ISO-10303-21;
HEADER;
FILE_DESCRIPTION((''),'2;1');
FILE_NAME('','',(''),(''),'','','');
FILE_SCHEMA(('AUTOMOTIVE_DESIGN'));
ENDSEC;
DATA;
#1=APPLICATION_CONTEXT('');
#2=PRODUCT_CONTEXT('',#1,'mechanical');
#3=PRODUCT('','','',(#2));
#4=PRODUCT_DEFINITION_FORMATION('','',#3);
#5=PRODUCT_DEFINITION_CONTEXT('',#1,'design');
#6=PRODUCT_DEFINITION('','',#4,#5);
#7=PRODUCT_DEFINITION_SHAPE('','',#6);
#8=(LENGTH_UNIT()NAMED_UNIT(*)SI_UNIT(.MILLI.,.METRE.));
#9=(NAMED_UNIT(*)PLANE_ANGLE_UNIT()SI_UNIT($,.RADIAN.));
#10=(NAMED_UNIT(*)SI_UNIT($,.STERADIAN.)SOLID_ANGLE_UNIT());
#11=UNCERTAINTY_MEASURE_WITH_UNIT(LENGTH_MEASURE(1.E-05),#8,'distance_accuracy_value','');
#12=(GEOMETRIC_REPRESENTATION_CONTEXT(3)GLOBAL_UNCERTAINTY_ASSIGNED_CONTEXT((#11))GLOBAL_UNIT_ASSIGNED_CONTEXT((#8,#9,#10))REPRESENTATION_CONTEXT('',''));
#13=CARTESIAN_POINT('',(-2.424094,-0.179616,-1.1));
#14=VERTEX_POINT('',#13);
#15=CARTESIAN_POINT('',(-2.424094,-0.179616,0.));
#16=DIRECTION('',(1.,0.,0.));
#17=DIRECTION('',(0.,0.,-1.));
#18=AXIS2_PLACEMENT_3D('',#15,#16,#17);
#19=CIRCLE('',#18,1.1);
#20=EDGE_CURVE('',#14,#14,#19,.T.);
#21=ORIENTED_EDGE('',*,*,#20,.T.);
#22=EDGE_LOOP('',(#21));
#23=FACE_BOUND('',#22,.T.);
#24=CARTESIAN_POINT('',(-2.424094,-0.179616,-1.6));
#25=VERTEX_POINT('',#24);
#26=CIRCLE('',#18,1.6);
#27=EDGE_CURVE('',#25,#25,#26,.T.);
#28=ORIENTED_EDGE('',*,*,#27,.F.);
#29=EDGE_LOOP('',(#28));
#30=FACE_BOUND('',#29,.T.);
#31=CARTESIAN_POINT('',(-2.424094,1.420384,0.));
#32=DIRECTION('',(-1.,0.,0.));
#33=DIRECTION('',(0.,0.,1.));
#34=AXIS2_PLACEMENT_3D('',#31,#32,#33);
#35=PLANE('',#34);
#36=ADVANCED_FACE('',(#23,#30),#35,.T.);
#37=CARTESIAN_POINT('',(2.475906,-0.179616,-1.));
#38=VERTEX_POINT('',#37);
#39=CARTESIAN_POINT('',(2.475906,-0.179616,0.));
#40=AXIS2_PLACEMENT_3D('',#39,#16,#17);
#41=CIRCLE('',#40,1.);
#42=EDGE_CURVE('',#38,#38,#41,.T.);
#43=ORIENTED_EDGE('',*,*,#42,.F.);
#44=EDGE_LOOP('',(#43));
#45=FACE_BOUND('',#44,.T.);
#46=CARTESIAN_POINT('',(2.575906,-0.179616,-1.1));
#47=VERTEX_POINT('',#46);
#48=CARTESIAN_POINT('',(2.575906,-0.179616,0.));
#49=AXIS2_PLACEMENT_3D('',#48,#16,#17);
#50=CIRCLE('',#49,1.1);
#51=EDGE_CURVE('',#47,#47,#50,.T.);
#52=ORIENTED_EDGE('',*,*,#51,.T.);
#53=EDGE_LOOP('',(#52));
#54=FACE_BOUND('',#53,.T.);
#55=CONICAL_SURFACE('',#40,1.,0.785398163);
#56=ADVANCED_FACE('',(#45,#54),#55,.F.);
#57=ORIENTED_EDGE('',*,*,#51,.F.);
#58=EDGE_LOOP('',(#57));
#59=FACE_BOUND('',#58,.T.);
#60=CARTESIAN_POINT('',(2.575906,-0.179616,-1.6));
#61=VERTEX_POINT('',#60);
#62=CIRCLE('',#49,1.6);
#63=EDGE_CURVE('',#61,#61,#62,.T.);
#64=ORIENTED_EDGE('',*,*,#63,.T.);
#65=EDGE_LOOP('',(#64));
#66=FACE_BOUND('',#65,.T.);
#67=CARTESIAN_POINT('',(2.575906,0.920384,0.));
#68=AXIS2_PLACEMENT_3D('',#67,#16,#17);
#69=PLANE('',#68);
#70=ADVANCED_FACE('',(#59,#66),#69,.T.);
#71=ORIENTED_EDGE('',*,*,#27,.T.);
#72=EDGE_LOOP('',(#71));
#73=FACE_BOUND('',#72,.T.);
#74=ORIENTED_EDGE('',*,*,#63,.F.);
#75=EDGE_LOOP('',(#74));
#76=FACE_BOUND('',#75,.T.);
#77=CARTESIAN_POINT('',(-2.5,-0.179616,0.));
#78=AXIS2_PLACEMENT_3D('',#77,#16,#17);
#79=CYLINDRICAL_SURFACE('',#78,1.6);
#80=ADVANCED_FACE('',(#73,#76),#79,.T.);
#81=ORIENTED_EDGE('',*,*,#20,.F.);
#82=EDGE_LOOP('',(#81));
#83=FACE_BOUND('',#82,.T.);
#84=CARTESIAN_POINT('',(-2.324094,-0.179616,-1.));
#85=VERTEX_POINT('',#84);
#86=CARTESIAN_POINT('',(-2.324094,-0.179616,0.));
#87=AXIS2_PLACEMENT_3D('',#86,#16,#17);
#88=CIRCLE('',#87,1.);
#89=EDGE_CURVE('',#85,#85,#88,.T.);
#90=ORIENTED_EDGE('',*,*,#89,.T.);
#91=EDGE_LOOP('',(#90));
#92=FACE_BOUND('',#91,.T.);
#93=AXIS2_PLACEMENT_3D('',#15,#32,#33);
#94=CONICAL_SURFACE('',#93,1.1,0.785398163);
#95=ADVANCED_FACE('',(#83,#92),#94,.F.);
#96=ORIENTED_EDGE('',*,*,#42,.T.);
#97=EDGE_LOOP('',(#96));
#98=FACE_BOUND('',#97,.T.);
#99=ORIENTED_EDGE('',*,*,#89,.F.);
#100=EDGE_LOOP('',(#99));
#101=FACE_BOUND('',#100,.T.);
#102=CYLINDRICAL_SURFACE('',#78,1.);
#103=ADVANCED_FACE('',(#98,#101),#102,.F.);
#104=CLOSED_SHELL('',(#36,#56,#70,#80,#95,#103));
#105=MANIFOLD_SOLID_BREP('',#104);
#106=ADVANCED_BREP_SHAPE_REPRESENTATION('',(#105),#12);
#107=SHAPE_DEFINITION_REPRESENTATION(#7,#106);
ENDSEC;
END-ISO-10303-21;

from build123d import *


with BuildPart() as part:
    # Sketch1 → Revolve1 (revolve)
    with BuildSketch(Plane.XY, mode=Mode.PRIVATE) as revolve1_sk:
        Polygon((2.575905915, 1.420384487), (-2.424094085, 1.420384487), (-2.424094085, 0.920384487), (-2.324094085, 0.820384487), (2.475905915, 0.820384487), (2.575905915, 0.920384487), align=None)
    revolve(revolve1_sk.sketch.rotate(Axis((-2.5, -0.179615513, 0), (1, 0, 0)), 270), axis=Axis((-2.5, -0.179615513, 0), (1, 0, 0)))


solid = part.part
